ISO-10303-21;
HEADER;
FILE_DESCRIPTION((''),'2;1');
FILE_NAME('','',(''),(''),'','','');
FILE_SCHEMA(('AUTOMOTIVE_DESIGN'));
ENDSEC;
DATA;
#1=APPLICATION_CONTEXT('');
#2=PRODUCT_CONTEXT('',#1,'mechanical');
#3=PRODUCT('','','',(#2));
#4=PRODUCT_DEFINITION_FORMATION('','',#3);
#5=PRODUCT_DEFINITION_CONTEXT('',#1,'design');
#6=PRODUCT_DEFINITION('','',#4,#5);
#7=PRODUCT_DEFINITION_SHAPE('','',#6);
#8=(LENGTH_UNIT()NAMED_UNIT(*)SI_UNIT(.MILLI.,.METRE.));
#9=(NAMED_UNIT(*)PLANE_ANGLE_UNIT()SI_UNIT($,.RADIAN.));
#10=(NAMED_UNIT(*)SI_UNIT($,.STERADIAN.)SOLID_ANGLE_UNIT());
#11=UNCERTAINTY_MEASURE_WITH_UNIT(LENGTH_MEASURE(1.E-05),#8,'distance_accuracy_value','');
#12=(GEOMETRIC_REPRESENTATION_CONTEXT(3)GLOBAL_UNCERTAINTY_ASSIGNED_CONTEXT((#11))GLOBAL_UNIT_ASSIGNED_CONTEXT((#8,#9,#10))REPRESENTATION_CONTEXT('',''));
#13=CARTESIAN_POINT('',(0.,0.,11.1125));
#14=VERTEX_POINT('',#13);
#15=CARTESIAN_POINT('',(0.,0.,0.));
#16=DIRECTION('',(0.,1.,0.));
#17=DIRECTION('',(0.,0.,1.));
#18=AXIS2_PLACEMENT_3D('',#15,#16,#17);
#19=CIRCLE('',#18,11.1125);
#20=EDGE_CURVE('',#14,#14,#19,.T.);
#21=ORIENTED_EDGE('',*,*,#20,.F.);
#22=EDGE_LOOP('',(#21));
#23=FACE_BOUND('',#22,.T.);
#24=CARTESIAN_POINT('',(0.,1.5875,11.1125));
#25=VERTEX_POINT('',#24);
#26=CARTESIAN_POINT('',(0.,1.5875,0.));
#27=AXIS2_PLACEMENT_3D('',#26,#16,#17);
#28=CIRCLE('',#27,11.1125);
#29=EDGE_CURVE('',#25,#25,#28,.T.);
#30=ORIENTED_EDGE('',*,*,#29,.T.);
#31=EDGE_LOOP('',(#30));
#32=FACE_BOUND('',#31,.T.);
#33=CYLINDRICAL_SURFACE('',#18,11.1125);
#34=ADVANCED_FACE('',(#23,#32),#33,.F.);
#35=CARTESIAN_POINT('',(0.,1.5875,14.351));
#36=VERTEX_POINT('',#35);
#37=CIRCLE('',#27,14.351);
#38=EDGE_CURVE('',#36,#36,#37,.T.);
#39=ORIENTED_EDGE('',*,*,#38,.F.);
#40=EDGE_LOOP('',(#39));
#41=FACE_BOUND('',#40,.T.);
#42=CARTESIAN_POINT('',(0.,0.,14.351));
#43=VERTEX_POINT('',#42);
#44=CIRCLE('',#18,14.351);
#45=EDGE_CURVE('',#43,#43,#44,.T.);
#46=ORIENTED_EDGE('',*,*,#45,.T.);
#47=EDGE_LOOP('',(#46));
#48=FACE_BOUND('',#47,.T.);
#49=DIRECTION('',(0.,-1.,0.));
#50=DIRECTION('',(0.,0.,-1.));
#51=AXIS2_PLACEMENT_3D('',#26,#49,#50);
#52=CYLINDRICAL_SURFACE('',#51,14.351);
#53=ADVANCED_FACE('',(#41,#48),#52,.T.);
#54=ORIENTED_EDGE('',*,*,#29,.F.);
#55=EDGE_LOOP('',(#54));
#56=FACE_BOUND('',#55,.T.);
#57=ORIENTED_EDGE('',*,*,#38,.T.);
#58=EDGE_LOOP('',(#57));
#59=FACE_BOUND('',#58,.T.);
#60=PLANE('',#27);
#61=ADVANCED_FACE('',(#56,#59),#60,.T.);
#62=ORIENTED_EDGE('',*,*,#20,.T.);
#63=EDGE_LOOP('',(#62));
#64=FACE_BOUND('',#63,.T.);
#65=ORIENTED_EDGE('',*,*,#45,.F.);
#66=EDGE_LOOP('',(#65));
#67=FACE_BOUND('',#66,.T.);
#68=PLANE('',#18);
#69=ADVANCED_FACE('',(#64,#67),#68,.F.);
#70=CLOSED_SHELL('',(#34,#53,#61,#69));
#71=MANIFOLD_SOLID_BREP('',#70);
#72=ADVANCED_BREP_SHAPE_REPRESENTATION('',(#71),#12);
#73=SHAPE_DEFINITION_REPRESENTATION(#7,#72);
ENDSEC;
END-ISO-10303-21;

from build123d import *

# Parameters (mm, degrees)
SKETCH1_R           = 14.351
BOSS_EXTRUDE1_DEPTH = 1.5875
SKETCH2_R           = 11.1125
CUT_EXTRUDE1_DEPTH  = 21.357371104


with BuildPart() as part:
    # Sketch1 → Boss-Extrude1 (new body)
    with BuildSketch(Plane(origin=(0, 0, 0), x_dir=(1, 0, 0), z_dir=(0, 1, 0))):
        with Locations(Location((0, 0, 0), (0, 0, 270))):
            Circle(SKETCH1_R)
    extrude(amount=BOSS_EXTRUDE1_DEPTH)

    # Sketch2 → Cut-Extrude1 (cut, through all)
    with BuildSketch(Plane(origin=(0, 1.5875, 0), x_dir=(1, 0, 0), z_dir=(0, 1, 0))):
        with Locations(Location((0, 0, 0), (0, 0, 270))):
            Circle(SKETCH2_R)
    extrude(amount=-CUT_EXTRUDE1_DEPTH, mode=Mode.SUBTRACT)


solid = part.part
